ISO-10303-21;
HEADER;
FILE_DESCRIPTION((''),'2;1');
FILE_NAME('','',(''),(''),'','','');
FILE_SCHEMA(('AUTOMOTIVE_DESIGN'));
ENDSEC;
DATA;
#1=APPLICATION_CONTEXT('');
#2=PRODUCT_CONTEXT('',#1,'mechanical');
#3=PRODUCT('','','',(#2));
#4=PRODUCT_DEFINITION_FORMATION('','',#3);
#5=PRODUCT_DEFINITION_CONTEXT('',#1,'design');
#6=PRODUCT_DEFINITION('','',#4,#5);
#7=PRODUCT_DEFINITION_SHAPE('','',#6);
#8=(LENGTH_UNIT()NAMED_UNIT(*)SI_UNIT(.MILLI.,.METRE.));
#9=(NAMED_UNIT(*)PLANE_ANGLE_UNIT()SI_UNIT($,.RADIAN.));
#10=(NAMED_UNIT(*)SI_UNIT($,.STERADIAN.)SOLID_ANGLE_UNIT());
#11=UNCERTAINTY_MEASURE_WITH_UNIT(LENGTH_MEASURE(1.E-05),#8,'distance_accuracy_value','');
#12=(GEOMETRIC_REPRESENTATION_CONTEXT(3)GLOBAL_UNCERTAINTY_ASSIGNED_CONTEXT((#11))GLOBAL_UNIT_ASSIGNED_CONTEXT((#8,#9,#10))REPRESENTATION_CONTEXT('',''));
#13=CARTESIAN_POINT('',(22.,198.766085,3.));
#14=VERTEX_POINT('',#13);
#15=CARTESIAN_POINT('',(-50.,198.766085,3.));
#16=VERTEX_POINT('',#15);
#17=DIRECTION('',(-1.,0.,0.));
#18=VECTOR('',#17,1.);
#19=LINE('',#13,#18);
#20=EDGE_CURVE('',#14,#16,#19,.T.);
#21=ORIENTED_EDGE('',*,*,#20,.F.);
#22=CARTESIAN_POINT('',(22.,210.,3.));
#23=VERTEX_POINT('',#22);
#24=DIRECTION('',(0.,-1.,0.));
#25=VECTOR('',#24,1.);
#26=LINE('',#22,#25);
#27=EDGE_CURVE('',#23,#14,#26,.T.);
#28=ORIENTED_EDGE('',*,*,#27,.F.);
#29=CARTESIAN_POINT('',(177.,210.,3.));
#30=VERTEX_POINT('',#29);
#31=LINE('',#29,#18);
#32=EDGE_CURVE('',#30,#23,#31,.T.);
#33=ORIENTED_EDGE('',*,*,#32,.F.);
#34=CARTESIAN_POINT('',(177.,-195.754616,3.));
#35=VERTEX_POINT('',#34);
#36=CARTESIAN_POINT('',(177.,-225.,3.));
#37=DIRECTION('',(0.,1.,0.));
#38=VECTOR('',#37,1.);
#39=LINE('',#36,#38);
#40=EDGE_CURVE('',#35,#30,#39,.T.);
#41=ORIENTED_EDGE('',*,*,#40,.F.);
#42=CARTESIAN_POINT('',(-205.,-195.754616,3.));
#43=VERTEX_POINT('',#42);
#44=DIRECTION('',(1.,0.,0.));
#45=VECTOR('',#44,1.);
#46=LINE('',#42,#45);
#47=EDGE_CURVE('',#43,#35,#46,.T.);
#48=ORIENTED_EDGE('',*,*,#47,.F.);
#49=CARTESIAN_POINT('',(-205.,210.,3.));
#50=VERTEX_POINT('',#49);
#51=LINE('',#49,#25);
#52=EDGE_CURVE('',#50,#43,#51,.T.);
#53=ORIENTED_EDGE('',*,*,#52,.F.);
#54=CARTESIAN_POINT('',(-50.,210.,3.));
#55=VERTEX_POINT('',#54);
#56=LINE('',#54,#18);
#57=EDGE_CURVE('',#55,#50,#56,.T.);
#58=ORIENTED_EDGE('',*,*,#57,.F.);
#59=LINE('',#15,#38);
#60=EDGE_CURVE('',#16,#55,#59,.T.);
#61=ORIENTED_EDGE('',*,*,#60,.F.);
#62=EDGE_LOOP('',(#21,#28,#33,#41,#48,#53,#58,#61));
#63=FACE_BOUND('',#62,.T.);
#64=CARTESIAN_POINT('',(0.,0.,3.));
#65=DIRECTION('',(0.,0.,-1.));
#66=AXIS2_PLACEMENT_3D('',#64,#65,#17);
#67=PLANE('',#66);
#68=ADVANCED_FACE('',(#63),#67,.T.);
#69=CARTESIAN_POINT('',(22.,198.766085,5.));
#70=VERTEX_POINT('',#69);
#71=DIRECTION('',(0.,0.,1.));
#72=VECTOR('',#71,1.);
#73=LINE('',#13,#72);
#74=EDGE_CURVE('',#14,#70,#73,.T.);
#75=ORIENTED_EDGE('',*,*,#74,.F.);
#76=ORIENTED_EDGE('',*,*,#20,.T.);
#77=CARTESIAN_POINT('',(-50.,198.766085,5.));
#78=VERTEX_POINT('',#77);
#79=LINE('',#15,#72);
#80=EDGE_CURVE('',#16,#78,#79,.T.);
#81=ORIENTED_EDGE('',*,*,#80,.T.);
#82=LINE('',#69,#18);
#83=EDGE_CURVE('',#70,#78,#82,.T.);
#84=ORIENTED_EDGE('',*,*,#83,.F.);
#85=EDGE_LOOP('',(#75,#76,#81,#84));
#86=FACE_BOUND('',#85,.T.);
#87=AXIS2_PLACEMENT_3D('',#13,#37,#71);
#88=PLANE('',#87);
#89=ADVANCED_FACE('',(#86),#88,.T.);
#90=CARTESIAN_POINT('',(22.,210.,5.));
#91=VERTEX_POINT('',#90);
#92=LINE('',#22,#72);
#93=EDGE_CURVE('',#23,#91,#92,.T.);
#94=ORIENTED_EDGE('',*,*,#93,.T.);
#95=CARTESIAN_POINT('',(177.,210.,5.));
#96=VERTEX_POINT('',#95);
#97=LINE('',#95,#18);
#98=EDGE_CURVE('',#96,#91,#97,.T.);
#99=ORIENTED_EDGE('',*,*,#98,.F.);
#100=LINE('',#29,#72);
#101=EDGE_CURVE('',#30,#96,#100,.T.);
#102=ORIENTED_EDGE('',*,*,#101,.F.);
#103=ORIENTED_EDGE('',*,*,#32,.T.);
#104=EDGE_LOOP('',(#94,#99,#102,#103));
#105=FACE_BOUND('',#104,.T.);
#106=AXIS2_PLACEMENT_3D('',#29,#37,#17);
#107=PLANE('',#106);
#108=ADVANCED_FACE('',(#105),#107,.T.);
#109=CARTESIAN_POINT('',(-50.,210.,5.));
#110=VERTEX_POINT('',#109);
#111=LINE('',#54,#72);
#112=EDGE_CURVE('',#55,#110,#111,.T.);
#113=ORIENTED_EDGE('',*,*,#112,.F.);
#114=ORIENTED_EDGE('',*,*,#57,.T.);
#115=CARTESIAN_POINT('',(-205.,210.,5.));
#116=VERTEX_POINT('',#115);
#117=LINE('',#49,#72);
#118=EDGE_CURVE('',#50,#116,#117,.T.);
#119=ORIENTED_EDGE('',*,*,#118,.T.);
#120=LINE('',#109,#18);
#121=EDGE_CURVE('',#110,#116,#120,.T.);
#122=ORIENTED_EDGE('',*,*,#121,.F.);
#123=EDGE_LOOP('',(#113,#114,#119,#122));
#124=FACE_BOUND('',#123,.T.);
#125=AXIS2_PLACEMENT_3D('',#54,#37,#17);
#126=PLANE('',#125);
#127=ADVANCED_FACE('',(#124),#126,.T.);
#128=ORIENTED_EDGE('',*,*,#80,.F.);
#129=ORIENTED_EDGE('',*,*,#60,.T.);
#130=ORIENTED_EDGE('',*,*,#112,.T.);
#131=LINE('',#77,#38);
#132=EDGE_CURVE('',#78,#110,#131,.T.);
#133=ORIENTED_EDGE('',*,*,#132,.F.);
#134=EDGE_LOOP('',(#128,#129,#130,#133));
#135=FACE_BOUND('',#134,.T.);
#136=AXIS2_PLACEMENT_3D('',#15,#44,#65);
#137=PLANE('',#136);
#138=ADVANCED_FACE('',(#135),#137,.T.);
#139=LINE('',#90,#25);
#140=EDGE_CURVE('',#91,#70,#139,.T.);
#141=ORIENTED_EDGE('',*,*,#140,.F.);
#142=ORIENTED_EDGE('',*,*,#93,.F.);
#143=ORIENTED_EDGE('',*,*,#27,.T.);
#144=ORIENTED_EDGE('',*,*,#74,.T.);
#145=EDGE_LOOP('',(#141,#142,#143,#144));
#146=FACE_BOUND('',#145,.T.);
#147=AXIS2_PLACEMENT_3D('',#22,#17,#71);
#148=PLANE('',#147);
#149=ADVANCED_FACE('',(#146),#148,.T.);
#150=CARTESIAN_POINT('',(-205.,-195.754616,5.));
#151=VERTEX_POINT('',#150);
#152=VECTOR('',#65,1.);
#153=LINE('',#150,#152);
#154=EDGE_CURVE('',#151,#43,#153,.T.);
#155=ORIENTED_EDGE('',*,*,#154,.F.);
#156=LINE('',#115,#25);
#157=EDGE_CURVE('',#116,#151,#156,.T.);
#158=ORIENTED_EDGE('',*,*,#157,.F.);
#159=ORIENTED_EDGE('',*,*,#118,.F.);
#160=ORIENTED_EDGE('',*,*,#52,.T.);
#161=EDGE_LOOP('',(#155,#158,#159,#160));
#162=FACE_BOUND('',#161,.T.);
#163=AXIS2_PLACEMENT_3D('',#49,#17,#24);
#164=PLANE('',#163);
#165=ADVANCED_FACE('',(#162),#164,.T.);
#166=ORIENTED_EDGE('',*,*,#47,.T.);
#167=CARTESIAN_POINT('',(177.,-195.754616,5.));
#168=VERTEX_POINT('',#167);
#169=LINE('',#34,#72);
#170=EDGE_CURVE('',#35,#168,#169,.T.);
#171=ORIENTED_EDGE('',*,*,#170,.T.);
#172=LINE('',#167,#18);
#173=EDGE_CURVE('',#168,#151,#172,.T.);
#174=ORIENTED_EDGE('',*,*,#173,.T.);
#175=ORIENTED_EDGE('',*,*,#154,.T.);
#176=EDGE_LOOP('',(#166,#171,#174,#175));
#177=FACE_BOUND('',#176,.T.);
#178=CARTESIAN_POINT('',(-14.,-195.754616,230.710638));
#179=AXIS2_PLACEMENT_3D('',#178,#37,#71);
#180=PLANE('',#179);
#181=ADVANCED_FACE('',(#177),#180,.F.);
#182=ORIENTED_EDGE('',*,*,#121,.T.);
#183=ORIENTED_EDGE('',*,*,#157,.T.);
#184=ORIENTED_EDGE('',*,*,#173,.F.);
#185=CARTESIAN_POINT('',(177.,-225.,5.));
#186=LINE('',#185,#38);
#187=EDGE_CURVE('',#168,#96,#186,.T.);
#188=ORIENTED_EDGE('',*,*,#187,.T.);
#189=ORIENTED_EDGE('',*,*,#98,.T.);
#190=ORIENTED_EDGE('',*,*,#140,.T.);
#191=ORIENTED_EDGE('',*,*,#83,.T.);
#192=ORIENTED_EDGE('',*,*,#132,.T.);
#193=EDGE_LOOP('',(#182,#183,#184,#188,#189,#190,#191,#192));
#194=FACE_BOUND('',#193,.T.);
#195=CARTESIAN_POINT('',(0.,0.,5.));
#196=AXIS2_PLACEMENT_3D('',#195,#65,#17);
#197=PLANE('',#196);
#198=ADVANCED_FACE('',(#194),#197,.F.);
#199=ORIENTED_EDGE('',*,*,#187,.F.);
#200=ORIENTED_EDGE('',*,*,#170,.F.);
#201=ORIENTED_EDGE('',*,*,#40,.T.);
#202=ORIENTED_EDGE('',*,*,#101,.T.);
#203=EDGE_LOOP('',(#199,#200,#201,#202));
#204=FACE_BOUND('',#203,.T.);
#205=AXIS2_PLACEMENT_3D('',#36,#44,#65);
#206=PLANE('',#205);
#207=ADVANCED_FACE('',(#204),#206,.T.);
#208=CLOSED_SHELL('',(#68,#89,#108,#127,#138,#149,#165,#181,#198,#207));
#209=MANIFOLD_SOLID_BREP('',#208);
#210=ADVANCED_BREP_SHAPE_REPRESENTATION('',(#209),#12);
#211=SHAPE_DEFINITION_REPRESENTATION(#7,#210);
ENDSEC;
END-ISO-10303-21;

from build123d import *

# Parameters (mm, degrees)
BOSS_EXTRUDE1_DEPTH = 2
CUT_EXTRUDE1_START  = -29.245384
SKETCH2_W           = 382
SKETCH2_H           = 2
CUT_EXTRUDE1_DEPTH  = 29.245384


with BuildPart() as part:
    # Sketch1 → Boss-Extrude1 (new body)
    with BuildSketch(Plane.XY.offset(5)):
        Polygon((-50, 198.766085176), (-50, 210), (-205, 210), (-205, -225), (177, -225), (177, 210), (22, 210), (22, 198.766085176), align=None)
    extrude(amount=-BOSS_EXTRUDE1_DEPTH)

    # Sketch2 → Cut-Extrude1 (cut)
    with BuildSketch(Plane.XZ.offset(225).offset(CUT_EXTRUDE1_START)):
        with Locations((-14, 4)):
            Rectangle(SKETCH2_W, SKETCH2_H)
    extrude(amount=CUT_EXTRUDE1_DEPTH, mode=Mode.SUBTRACT)


solid = part.part
